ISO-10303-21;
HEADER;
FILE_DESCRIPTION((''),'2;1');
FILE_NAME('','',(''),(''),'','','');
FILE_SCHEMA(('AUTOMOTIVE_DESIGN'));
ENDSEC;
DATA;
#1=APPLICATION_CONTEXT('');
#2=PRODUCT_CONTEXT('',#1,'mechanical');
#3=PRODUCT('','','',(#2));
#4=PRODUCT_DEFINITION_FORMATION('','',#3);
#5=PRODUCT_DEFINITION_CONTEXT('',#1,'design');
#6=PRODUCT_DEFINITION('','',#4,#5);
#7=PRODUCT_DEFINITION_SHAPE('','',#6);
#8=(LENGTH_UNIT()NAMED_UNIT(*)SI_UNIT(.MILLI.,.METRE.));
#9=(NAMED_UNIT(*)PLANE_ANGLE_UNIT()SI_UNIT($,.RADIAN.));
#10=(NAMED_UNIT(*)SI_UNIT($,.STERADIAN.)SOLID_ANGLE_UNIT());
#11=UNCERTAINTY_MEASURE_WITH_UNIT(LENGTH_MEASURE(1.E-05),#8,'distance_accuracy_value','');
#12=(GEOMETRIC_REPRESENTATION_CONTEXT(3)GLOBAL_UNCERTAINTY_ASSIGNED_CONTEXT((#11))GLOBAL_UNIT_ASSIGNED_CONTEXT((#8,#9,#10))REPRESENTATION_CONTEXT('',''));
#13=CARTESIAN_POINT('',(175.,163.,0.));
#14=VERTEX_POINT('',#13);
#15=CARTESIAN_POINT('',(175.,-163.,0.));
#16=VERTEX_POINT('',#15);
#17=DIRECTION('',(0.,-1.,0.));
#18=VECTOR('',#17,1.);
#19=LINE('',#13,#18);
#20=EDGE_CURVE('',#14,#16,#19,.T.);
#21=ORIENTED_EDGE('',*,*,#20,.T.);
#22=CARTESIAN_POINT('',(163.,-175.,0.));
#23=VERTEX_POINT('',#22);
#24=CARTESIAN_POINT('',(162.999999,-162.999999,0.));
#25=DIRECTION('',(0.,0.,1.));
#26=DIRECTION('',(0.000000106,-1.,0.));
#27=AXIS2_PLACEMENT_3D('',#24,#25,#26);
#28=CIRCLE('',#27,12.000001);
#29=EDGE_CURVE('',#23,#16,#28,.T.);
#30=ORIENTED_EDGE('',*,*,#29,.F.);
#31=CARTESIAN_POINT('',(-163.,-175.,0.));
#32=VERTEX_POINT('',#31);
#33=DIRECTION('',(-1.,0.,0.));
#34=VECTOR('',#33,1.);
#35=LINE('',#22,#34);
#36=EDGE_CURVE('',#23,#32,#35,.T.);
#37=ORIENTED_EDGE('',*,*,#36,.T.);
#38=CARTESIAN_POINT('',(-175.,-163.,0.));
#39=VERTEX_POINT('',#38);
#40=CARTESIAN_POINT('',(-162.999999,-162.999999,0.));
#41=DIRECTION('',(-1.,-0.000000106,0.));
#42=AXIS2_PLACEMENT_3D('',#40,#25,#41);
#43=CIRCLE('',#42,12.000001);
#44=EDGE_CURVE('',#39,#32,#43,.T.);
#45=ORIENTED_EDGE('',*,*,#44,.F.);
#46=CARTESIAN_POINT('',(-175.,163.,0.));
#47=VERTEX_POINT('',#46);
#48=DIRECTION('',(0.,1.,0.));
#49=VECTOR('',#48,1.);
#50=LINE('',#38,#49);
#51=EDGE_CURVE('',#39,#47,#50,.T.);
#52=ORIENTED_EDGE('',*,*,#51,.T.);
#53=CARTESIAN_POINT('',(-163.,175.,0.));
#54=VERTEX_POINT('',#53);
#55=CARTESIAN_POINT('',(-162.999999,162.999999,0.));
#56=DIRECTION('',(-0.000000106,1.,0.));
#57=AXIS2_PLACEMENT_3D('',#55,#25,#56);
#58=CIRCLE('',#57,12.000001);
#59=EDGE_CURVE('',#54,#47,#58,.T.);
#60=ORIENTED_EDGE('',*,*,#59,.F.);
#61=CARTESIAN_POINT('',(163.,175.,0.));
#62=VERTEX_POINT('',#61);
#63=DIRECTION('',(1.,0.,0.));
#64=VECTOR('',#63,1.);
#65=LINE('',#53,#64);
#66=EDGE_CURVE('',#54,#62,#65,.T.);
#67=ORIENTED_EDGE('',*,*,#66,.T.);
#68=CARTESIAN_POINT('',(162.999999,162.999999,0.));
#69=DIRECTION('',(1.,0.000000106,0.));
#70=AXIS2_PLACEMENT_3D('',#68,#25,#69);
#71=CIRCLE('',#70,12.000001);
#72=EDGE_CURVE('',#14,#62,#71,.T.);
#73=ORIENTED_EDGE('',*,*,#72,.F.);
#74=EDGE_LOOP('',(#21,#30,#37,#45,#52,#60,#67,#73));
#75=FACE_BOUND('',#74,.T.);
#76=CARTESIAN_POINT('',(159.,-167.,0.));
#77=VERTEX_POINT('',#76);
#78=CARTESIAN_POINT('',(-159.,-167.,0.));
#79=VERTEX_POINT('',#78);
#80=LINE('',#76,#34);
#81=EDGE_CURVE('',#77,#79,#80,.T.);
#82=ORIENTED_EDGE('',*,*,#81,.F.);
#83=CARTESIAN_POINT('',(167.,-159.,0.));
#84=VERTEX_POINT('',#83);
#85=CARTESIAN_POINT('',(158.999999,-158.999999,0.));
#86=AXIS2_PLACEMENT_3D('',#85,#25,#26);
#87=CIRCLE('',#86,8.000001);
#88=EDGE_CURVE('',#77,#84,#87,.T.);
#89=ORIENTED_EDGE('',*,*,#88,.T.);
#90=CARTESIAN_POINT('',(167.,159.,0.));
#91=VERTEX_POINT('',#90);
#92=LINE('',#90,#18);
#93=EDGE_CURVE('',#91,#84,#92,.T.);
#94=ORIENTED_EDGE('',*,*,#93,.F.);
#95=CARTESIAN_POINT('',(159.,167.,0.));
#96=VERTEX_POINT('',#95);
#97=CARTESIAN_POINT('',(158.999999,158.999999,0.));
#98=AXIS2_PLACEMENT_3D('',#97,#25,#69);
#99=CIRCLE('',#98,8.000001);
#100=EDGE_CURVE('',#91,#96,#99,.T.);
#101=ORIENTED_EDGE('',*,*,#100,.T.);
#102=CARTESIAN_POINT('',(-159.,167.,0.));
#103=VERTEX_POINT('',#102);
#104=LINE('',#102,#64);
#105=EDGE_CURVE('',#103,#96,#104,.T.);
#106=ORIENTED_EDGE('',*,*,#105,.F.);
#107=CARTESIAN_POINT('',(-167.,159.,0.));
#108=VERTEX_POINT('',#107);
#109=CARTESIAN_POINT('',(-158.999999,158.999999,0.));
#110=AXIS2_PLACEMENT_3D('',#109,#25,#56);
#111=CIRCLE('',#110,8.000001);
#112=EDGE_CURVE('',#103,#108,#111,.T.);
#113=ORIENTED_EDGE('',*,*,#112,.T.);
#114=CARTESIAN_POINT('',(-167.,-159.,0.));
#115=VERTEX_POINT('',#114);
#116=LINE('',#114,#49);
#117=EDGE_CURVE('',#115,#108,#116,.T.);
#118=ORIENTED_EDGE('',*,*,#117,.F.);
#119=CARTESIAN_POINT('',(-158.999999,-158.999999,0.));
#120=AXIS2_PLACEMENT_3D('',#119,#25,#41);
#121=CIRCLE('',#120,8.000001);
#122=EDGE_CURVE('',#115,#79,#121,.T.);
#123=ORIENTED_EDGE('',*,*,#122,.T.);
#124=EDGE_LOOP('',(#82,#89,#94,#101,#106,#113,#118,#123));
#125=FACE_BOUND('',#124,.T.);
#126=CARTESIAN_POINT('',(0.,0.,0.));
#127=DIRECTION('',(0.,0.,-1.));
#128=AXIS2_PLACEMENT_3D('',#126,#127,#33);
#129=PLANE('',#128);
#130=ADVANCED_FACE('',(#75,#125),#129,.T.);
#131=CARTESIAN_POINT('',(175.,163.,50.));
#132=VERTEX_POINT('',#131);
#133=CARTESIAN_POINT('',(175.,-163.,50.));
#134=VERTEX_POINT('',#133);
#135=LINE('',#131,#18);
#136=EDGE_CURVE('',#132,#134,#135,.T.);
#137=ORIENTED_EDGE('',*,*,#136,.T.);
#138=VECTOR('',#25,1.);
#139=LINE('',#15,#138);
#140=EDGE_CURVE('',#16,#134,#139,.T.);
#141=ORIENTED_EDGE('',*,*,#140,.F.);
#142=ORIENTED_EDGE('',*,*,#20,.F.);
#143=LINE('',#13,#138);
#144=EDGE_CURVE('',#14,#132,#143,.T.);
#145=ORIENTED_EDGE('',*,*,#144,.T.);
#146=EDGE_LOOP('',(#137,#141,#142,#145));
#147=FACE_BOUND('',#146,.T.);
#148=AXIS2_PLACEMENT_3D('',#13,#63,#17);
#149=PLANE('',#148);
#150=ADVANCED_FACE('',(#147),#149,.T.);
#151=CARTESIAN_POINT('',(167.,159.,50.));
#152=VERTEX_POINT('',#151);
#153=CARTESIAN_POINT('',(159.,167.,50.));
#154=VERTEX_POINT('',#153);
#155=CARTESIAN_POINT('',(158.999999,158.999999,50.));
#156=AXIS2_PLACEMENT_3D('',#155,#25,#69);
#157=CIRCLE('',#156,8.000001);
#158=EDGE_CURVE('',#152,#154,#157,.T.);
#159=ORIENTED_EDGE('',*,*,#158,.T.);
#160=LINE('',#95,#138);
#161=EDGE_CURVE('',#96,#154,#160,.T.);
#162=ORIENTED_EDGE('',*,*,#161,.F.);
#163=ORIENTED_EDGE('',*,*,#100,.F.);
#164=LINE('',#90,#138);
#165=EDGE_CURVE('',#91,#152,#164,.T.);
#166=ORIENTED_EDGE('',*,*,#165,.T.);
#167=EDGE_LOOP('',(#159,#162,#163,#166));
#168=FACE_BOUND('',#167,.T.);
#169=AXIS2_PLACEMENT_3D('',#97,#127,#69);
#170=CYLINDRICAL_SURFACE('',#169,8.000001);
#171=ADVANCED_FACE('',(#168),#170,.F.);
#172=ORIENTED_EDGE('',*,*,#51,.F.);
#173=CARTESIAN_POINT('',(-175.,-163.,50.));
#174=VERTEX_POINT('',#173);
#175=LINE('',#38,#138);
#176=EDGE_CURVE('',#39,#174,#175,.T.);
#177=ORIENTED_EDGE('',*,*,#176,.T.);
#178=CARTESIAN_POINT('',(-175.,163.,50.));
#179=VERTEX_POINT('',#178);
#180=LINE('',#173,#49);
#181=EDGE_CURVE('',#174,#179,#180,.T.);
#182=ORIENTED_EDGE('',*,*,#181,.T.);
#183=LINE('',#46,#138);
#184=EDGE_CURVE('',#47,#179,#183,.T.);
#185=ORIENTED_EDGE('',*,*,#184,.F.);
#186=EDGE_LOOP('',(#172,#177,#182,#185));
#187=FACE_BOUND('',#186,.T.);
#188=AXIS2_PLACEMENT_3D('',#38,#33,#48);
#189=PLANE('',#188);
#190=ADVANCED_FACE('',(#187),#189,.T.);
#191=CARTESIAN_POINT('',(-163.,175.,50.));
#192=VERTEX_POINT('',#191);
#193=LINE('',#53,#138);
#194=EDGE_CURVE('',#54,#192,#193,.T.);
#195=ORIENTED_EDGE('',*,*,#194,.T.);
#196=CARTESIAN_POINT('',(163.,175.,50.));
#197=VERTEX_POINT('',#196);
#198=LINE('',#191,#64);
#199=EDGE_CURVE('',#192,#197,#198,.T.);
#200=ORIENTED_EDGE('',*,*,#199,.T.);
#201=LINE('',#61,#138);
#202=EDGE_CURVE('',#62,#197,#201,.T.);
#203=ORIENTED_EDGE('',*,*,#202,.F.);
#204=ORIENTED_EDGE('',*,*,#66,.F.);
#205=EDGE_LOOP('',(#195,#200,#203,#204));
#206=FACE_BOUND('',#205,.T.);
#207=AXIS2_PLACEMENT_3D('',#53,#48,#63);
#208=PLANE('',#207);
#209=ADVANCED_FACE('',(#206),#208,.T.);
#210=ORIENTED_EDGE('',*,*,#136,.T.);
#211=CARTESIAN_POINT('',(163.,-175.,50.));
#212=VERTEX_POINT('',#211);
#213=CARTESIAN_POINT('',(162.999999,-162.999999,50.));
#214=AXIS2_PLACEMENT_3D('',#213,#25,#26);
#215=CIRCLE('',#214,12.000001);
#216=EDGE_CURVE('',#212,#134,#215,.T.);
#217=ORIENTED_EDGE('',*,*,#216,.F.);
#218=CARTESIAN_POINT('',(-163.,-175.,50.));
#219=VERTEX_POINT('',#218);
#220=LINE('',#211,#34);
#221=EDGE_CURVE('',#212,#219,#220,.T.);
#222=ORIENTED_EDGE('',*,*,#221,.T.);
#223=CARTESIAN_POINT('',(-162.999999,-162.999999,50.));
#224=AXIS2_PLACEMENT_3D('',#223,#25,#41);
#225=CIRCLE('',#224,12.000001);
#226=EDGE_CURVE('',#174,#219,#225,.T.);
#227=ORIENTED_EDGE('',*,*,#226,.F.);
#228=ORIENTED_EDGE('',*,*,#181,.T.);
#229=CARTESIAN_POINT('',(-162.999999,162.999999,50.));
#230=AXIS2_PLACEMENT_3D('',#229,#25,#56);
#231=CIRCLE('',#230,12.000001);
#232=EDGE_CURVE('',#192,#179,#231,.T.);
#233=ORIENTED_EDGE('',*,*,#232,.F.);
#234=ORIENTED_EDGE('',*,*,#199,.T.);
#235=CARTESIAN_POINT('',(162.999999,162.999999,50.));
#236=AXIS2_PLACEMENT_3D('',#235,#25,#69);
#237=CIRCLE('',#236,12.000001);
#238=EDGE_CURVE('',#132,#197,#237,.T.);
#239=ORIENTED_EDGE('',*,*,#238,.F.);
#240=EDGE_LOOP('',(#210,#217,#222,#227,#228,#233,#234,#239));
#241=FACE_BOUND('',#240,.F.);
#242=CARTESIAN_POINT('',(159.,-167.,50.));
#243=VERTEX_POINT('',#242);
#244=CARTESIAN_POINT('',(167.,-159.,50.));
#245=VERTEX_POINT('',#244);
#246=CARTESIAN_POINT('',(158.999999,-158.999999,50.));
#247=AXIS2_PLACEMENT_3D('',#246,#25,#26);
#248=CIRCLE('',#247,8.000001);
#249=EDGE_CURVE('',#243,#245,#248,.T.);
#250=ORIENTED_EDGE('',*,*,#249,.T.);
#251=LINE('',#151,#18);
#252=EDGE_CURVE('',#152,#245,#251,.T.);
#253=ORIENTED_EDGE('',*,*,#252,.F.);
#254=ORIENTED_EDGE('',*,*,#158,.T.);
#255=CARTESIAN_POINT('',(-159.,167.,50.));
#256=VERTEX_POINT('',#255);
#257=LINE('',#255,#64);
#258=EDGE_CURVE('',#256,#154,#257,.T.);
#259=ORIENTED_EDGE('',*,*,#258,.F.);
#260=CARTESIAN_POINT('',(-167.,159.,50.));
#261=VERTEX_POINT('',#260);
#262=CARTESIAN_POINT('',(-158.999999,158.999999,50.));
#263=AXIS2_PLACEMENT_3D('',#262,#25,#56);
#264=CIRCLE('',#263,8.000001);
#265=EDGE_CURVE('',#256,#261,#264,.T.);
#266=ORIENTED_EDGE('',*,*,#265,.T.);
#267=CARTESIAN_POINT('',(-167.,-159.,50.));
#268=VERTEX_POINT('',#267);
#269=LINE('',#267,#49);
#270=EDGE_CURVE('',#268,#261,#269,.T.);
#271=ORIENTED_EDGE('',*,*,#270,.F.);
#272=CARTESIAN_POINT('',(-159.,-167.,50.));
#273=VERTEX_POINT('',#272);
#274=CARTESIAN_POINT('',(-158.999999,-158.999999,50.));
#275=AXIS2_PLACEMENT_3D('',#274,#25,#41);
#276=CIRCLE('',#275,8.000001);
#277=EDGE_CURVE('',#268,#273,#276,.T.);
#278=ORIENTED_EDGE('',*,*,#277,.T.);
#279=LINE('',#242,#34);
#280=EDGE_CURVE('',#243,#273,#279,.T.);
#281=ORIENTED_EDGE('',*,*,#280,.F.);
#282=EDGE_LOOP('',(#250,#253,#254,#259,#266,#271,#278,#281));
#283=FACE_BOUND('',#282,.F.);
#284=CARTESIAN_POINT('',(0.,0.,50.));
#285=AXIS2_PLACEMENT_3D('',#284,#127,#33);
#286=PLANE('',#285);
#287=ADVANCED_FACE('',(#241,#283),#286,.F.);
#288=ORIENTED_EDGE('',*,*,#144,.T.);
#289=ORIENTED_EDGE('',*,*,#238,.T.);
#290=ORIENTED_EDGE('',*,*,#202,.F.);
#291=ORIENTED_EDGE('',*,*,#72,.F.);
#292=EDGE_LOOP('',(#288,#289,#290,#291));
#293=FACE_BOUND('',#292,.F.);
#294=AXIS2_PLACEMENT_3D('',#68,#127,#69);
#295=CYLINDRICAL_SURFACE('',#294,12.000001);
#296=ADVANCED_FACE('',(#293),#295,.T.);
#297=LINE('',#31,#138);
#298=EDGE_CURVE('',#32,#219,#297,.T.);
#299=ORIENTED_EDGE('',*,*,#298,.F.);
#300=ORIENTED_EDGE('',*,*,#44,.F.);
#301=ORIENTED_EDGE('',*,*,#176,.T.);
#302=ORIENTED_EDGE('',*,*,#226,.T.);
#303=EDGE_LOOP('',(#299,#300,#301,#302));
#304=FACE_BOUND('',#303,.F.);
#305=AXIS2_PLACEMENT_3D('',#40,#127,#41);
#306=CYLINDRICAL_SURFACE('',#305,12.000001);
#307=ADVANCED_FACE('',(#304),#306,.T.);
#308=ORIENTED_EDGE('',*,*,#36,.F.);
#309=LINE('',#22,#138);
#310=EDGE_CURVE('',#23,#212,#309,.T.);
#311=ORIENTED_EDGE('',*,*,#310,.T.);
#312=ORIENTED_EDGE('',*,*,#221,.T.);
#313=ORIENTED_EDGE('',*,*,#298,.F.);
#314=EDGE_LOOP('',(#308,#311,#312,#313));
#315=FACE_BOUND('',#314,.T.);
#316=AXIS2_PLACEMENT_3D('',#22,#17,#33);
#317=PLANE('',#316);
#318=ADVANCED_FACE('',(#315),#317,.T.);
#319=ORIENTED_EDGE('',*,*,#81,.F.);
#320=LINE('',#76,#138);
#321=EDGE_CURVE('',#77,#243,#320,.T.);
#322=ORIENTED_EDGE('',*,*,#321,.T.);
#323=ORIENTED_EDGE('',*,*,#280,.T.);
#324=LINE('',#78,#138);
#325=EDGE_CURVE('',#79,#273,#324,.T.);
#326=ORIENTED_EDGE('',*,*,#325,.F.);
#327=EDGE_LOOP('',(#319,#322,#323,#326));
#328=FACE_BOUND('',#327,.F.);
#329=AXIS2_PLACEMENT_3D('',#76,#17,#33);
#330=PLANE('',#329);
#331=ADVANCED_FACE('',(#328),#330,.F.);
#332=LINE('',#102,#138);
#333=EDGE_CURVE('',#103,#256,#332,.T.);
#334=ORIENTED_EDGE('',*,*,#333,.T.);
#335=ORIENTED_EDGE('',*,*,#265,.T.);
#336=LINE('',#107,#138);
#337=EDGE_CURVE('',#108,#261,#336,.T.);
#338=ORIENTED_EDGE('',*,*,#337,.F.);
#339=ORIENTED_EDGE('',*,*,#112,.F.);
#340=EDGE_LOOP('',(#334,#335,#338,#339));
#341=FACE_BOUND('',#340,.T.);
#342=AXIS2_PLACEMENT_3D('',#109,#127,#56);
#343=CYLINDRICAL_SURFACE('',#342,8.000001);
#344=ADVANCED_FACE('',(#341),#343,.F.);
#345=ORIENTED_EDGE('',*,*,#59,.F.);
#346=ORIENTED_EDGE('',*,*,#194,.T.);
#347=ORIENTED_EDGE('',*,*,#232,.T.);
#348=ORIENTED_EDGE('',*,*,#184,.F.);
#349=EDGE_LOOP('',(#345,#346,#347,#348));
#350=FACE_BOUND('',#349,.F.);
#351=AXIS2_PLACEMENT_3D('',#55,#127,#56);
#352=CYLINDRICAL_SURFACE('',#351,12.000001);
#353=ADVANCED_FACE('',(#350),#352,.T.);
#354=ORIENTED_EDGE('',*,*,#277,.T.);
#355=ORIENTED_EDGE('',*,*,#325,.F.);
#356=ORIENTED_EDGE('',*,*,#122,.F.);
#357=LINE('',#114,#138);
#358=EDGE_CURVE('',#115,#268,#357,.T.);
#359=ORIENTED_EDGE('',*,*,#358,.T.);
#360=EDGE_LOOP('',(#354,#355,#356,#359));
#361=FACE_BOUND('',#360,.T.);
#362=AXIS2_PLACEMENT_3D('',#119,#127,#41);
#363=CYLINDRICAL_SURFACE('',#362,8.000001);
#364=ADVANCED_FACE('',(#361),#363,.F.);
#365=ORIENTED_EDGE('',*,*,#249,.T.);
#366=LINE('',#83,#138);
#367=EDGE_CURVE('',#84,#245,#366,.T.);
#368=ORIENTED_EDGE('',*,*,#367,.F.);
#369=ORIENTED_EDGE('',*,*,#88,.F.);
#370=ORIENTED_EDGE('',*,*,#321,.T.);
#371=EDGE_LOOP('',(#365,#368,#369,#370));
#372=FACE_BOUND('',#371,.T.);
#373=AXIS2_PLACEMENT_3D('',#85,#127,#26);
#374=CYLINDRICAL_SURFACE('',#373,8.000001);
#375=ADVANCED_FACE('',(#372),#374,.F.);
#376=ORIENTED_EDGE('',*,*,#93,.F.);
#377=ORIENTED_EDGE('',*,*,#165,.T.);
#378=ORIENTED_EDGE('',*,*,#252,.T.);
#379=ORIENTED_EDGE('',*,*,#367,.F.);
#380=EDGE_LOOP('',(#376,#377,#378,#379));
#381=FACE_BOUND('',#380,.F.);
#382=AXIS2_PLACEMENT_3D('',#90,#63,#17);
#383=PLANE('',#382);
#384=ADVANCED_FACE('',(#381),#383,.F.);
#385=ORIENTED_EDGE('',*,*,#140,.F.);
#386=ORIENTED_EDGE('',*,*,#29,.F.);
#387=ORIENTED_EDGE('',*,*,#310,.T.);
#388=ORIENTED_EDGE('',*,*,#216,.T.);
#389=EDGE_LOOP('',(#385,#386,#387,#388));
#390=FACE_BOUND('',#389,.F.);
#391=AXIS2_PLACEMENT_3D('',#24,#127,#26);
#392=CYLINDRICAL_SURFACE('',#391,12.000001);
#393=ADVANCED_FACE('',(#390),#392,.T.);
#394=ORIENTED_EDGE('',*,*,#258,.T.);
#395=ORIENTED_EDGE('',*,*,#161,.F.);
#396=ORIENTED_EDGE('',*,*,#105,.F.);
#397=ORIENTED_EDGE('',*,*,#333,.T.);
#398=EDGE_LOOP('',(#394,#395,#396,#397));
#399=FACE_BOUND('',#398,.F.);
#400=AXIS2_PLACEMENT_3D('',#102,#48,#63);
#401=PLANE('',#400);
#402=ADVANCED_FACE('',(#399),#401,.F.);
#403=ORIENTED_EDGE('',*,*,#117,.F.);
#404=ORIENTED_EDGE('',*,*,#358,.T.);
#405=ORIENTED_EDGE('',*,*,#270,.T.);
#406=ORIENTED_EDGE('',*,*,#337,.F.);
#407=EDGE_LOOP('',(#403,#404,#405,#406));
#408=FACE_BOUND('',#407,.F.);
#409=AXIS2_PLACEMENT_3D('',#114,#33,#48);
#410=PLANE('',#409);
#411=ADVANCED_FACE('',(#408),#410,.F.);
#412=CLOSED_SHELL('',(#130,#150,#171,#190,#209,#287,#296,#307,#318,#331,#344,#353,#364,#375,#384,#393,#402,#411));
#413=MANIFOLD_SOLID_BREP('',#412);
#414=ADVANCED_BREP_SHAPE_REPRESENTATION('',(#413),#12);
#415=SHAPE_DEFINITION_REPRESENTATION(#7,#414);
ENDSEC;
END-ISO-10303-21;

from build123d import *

# Parameters (mm, degrees)
EXTRUDE_DEPTH = 50


with BuildPart() as part:
    # Sketch → Extrude (new body)
    with BuildSketch(Plane.XY):
        with BuildLine():
            Line((-163, 175), (163, 175))
            ThreePointArc((175, 163), (171.485281, 171.485281), (163, 175))
            Line((175, 163), (175, -163))
            ThreePointArc((163, -175), (171.485281, -171.485281), (175, -163))
            Line((163, -175), (-163, -175))
            ThreePointArc((-175, -163), (-171.485281, -171.485281), (-163, -175))
            Line((-175, -163), (-175, 163))
            ThreePointArc((-163, 175), (-171.485281, 171.485281), (-175, 163))
        make_face()
        with BuildLine():
            Line((-159, 167), (159, 167))
            ThreePointArc((167, 159), (164.656854, 164.656854), (159, 167))
            Line((167, 159), (167, -159))
            ThreePointArc((159, -167), (164.656854, -164.656854), (167, -159))
            Line((159, -167), (-159, -167))
            ThreePointArc((-167, -159), (-164.656854, -164.656854), (-159, -167))
            Line((-167, -159), (-167, 159))
            ThreePointArc((-159, 167), (-164.656854, 164.656854), (-167, 159))
        make_face(mode=Mode.SUBTRACT)
    extrude(amount=EXTRUDE_DEPTH)


solid = part.part
